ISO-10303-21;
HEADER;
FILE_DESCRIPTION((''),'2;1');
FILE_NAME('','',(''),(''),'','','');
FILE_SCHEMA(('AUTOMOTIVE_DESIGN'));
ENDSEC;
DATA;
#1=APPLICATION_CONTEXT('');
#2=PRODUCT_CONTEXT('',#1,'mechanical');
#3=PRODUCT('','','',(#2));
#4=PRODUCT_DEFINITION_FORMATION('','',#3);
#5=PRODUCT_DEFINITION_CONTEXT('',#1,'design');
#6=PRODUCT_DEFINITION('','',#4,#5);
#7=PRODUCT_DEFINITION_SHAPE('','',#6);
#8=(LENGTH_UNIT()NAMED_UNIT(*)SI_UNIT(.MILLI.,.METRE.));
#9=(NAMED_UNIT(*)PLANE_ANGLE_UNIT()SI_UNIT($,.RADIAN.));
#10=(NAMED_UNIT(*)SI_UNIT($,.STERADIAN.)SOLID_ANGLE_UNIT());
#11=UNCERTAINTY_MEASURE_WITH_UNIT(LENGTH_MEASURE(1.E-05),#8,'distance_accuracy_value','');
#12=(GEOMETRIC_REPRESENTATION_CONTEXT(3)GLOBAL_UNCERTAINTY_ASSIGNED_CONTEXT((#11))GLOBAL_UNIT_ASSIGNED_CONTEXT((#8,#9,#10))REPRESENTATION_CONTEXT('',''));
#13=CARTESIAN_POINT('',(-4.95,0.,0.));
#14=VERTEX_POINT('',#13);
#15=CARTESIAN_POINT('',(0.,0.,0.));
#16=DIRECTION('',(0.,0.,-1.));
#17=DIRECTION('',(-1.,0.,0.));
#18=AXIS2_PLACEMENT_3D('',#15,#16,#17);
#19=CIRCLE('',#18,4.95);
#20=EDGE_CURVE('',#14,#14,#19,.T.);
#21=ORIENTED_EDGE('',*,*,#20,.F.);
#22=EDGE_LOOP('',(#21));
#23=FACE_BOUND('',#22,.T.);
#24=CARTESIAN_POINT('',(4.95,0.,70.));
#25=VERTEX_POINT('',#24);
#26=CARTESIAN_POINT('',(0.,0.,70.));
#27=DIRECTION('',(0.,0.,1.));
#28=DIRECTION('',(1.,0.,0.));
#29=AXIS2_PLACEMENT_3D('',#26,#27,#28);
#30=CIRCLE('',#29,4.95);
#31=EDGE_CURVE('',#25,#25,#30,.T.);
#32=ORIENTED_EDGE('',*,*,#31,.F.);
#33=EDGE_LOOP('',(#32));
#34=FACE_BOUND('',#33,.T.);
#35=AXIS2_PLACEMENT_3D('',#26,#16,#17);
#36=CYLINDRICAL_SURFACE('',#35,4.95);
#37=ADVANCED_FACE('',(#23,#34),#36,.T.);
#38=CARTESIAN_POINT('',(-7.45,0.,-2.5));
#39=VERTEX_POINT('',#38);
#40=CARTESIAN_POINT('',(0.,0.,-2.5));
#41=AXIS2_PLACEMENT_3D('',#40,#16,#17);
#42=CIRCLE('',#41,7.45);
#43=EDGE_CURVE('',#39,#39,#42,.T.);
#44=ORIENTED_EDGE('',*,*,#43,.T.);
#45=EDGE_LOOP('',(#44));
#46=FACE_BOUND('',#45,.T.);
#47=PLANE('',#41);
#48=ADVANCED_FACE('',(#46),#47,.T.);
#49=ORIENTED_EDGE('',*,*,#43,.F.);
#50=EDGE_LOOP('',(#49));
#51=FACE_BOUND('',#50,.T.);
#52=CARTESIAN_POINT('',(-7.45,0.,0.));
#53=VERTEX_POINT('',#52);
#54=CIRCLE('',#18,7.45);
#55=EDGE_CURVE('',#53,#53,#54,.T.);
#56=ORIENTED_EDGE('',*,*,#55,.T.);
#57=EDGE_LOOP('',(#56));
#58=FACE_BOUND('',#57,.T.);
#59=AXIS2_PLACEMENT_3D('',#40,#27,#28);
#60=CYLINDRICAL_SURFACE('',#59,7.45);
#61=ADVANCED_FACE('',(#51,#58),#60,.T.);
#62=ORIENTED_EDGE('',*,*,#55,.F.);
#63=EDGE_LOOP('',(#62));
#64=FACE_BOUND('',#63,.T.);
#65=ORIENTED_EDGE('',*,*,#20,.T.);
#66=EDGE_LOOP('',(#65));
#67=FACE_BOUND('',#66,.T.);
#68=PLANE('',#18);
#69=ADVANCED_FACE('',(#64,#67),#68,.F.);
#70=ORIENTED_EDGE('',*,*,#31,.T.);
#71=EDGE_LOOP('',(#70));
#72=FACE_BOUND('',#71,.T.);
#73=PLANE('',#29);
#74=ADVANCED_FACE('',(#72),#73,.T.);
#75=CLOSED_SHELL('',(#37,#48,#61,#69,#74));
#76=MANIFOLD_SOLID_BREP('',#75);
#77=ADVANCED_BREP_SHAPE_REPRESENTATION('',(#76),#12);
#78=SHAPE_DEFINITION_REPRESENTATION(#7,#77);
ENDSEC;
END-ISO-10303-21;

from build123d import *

# Parameters (mm, degrees)
SKETCH1_R           = 4.95
BOSS_EXTRUDE1_DEPTH = 70
SKETCH3_R           = 7.45
BOSS_EXTRUDE2_DEPTH = 2.5


with BuildPart() as part:
    # Sketch1 → Boss-Extrude1 (new body)
    with BuildSketch(Plane.XY):
        Circle(SKETCH1_R)
    extrude(amount=BOSS_EXTRUDE1_DEPTH)

    # Sketch3 → Boss-Extrude2 (add)
    with BuildSketch(Plane(origin=(0, 0, 0), x_dir=(-1, 0, 0), z_dir=(0, 0, -1))):
        Circle(SKETCH3_R)
    extrude(amount=BOSS_EXTRUDE2_DEPTH)


solid = part.part
